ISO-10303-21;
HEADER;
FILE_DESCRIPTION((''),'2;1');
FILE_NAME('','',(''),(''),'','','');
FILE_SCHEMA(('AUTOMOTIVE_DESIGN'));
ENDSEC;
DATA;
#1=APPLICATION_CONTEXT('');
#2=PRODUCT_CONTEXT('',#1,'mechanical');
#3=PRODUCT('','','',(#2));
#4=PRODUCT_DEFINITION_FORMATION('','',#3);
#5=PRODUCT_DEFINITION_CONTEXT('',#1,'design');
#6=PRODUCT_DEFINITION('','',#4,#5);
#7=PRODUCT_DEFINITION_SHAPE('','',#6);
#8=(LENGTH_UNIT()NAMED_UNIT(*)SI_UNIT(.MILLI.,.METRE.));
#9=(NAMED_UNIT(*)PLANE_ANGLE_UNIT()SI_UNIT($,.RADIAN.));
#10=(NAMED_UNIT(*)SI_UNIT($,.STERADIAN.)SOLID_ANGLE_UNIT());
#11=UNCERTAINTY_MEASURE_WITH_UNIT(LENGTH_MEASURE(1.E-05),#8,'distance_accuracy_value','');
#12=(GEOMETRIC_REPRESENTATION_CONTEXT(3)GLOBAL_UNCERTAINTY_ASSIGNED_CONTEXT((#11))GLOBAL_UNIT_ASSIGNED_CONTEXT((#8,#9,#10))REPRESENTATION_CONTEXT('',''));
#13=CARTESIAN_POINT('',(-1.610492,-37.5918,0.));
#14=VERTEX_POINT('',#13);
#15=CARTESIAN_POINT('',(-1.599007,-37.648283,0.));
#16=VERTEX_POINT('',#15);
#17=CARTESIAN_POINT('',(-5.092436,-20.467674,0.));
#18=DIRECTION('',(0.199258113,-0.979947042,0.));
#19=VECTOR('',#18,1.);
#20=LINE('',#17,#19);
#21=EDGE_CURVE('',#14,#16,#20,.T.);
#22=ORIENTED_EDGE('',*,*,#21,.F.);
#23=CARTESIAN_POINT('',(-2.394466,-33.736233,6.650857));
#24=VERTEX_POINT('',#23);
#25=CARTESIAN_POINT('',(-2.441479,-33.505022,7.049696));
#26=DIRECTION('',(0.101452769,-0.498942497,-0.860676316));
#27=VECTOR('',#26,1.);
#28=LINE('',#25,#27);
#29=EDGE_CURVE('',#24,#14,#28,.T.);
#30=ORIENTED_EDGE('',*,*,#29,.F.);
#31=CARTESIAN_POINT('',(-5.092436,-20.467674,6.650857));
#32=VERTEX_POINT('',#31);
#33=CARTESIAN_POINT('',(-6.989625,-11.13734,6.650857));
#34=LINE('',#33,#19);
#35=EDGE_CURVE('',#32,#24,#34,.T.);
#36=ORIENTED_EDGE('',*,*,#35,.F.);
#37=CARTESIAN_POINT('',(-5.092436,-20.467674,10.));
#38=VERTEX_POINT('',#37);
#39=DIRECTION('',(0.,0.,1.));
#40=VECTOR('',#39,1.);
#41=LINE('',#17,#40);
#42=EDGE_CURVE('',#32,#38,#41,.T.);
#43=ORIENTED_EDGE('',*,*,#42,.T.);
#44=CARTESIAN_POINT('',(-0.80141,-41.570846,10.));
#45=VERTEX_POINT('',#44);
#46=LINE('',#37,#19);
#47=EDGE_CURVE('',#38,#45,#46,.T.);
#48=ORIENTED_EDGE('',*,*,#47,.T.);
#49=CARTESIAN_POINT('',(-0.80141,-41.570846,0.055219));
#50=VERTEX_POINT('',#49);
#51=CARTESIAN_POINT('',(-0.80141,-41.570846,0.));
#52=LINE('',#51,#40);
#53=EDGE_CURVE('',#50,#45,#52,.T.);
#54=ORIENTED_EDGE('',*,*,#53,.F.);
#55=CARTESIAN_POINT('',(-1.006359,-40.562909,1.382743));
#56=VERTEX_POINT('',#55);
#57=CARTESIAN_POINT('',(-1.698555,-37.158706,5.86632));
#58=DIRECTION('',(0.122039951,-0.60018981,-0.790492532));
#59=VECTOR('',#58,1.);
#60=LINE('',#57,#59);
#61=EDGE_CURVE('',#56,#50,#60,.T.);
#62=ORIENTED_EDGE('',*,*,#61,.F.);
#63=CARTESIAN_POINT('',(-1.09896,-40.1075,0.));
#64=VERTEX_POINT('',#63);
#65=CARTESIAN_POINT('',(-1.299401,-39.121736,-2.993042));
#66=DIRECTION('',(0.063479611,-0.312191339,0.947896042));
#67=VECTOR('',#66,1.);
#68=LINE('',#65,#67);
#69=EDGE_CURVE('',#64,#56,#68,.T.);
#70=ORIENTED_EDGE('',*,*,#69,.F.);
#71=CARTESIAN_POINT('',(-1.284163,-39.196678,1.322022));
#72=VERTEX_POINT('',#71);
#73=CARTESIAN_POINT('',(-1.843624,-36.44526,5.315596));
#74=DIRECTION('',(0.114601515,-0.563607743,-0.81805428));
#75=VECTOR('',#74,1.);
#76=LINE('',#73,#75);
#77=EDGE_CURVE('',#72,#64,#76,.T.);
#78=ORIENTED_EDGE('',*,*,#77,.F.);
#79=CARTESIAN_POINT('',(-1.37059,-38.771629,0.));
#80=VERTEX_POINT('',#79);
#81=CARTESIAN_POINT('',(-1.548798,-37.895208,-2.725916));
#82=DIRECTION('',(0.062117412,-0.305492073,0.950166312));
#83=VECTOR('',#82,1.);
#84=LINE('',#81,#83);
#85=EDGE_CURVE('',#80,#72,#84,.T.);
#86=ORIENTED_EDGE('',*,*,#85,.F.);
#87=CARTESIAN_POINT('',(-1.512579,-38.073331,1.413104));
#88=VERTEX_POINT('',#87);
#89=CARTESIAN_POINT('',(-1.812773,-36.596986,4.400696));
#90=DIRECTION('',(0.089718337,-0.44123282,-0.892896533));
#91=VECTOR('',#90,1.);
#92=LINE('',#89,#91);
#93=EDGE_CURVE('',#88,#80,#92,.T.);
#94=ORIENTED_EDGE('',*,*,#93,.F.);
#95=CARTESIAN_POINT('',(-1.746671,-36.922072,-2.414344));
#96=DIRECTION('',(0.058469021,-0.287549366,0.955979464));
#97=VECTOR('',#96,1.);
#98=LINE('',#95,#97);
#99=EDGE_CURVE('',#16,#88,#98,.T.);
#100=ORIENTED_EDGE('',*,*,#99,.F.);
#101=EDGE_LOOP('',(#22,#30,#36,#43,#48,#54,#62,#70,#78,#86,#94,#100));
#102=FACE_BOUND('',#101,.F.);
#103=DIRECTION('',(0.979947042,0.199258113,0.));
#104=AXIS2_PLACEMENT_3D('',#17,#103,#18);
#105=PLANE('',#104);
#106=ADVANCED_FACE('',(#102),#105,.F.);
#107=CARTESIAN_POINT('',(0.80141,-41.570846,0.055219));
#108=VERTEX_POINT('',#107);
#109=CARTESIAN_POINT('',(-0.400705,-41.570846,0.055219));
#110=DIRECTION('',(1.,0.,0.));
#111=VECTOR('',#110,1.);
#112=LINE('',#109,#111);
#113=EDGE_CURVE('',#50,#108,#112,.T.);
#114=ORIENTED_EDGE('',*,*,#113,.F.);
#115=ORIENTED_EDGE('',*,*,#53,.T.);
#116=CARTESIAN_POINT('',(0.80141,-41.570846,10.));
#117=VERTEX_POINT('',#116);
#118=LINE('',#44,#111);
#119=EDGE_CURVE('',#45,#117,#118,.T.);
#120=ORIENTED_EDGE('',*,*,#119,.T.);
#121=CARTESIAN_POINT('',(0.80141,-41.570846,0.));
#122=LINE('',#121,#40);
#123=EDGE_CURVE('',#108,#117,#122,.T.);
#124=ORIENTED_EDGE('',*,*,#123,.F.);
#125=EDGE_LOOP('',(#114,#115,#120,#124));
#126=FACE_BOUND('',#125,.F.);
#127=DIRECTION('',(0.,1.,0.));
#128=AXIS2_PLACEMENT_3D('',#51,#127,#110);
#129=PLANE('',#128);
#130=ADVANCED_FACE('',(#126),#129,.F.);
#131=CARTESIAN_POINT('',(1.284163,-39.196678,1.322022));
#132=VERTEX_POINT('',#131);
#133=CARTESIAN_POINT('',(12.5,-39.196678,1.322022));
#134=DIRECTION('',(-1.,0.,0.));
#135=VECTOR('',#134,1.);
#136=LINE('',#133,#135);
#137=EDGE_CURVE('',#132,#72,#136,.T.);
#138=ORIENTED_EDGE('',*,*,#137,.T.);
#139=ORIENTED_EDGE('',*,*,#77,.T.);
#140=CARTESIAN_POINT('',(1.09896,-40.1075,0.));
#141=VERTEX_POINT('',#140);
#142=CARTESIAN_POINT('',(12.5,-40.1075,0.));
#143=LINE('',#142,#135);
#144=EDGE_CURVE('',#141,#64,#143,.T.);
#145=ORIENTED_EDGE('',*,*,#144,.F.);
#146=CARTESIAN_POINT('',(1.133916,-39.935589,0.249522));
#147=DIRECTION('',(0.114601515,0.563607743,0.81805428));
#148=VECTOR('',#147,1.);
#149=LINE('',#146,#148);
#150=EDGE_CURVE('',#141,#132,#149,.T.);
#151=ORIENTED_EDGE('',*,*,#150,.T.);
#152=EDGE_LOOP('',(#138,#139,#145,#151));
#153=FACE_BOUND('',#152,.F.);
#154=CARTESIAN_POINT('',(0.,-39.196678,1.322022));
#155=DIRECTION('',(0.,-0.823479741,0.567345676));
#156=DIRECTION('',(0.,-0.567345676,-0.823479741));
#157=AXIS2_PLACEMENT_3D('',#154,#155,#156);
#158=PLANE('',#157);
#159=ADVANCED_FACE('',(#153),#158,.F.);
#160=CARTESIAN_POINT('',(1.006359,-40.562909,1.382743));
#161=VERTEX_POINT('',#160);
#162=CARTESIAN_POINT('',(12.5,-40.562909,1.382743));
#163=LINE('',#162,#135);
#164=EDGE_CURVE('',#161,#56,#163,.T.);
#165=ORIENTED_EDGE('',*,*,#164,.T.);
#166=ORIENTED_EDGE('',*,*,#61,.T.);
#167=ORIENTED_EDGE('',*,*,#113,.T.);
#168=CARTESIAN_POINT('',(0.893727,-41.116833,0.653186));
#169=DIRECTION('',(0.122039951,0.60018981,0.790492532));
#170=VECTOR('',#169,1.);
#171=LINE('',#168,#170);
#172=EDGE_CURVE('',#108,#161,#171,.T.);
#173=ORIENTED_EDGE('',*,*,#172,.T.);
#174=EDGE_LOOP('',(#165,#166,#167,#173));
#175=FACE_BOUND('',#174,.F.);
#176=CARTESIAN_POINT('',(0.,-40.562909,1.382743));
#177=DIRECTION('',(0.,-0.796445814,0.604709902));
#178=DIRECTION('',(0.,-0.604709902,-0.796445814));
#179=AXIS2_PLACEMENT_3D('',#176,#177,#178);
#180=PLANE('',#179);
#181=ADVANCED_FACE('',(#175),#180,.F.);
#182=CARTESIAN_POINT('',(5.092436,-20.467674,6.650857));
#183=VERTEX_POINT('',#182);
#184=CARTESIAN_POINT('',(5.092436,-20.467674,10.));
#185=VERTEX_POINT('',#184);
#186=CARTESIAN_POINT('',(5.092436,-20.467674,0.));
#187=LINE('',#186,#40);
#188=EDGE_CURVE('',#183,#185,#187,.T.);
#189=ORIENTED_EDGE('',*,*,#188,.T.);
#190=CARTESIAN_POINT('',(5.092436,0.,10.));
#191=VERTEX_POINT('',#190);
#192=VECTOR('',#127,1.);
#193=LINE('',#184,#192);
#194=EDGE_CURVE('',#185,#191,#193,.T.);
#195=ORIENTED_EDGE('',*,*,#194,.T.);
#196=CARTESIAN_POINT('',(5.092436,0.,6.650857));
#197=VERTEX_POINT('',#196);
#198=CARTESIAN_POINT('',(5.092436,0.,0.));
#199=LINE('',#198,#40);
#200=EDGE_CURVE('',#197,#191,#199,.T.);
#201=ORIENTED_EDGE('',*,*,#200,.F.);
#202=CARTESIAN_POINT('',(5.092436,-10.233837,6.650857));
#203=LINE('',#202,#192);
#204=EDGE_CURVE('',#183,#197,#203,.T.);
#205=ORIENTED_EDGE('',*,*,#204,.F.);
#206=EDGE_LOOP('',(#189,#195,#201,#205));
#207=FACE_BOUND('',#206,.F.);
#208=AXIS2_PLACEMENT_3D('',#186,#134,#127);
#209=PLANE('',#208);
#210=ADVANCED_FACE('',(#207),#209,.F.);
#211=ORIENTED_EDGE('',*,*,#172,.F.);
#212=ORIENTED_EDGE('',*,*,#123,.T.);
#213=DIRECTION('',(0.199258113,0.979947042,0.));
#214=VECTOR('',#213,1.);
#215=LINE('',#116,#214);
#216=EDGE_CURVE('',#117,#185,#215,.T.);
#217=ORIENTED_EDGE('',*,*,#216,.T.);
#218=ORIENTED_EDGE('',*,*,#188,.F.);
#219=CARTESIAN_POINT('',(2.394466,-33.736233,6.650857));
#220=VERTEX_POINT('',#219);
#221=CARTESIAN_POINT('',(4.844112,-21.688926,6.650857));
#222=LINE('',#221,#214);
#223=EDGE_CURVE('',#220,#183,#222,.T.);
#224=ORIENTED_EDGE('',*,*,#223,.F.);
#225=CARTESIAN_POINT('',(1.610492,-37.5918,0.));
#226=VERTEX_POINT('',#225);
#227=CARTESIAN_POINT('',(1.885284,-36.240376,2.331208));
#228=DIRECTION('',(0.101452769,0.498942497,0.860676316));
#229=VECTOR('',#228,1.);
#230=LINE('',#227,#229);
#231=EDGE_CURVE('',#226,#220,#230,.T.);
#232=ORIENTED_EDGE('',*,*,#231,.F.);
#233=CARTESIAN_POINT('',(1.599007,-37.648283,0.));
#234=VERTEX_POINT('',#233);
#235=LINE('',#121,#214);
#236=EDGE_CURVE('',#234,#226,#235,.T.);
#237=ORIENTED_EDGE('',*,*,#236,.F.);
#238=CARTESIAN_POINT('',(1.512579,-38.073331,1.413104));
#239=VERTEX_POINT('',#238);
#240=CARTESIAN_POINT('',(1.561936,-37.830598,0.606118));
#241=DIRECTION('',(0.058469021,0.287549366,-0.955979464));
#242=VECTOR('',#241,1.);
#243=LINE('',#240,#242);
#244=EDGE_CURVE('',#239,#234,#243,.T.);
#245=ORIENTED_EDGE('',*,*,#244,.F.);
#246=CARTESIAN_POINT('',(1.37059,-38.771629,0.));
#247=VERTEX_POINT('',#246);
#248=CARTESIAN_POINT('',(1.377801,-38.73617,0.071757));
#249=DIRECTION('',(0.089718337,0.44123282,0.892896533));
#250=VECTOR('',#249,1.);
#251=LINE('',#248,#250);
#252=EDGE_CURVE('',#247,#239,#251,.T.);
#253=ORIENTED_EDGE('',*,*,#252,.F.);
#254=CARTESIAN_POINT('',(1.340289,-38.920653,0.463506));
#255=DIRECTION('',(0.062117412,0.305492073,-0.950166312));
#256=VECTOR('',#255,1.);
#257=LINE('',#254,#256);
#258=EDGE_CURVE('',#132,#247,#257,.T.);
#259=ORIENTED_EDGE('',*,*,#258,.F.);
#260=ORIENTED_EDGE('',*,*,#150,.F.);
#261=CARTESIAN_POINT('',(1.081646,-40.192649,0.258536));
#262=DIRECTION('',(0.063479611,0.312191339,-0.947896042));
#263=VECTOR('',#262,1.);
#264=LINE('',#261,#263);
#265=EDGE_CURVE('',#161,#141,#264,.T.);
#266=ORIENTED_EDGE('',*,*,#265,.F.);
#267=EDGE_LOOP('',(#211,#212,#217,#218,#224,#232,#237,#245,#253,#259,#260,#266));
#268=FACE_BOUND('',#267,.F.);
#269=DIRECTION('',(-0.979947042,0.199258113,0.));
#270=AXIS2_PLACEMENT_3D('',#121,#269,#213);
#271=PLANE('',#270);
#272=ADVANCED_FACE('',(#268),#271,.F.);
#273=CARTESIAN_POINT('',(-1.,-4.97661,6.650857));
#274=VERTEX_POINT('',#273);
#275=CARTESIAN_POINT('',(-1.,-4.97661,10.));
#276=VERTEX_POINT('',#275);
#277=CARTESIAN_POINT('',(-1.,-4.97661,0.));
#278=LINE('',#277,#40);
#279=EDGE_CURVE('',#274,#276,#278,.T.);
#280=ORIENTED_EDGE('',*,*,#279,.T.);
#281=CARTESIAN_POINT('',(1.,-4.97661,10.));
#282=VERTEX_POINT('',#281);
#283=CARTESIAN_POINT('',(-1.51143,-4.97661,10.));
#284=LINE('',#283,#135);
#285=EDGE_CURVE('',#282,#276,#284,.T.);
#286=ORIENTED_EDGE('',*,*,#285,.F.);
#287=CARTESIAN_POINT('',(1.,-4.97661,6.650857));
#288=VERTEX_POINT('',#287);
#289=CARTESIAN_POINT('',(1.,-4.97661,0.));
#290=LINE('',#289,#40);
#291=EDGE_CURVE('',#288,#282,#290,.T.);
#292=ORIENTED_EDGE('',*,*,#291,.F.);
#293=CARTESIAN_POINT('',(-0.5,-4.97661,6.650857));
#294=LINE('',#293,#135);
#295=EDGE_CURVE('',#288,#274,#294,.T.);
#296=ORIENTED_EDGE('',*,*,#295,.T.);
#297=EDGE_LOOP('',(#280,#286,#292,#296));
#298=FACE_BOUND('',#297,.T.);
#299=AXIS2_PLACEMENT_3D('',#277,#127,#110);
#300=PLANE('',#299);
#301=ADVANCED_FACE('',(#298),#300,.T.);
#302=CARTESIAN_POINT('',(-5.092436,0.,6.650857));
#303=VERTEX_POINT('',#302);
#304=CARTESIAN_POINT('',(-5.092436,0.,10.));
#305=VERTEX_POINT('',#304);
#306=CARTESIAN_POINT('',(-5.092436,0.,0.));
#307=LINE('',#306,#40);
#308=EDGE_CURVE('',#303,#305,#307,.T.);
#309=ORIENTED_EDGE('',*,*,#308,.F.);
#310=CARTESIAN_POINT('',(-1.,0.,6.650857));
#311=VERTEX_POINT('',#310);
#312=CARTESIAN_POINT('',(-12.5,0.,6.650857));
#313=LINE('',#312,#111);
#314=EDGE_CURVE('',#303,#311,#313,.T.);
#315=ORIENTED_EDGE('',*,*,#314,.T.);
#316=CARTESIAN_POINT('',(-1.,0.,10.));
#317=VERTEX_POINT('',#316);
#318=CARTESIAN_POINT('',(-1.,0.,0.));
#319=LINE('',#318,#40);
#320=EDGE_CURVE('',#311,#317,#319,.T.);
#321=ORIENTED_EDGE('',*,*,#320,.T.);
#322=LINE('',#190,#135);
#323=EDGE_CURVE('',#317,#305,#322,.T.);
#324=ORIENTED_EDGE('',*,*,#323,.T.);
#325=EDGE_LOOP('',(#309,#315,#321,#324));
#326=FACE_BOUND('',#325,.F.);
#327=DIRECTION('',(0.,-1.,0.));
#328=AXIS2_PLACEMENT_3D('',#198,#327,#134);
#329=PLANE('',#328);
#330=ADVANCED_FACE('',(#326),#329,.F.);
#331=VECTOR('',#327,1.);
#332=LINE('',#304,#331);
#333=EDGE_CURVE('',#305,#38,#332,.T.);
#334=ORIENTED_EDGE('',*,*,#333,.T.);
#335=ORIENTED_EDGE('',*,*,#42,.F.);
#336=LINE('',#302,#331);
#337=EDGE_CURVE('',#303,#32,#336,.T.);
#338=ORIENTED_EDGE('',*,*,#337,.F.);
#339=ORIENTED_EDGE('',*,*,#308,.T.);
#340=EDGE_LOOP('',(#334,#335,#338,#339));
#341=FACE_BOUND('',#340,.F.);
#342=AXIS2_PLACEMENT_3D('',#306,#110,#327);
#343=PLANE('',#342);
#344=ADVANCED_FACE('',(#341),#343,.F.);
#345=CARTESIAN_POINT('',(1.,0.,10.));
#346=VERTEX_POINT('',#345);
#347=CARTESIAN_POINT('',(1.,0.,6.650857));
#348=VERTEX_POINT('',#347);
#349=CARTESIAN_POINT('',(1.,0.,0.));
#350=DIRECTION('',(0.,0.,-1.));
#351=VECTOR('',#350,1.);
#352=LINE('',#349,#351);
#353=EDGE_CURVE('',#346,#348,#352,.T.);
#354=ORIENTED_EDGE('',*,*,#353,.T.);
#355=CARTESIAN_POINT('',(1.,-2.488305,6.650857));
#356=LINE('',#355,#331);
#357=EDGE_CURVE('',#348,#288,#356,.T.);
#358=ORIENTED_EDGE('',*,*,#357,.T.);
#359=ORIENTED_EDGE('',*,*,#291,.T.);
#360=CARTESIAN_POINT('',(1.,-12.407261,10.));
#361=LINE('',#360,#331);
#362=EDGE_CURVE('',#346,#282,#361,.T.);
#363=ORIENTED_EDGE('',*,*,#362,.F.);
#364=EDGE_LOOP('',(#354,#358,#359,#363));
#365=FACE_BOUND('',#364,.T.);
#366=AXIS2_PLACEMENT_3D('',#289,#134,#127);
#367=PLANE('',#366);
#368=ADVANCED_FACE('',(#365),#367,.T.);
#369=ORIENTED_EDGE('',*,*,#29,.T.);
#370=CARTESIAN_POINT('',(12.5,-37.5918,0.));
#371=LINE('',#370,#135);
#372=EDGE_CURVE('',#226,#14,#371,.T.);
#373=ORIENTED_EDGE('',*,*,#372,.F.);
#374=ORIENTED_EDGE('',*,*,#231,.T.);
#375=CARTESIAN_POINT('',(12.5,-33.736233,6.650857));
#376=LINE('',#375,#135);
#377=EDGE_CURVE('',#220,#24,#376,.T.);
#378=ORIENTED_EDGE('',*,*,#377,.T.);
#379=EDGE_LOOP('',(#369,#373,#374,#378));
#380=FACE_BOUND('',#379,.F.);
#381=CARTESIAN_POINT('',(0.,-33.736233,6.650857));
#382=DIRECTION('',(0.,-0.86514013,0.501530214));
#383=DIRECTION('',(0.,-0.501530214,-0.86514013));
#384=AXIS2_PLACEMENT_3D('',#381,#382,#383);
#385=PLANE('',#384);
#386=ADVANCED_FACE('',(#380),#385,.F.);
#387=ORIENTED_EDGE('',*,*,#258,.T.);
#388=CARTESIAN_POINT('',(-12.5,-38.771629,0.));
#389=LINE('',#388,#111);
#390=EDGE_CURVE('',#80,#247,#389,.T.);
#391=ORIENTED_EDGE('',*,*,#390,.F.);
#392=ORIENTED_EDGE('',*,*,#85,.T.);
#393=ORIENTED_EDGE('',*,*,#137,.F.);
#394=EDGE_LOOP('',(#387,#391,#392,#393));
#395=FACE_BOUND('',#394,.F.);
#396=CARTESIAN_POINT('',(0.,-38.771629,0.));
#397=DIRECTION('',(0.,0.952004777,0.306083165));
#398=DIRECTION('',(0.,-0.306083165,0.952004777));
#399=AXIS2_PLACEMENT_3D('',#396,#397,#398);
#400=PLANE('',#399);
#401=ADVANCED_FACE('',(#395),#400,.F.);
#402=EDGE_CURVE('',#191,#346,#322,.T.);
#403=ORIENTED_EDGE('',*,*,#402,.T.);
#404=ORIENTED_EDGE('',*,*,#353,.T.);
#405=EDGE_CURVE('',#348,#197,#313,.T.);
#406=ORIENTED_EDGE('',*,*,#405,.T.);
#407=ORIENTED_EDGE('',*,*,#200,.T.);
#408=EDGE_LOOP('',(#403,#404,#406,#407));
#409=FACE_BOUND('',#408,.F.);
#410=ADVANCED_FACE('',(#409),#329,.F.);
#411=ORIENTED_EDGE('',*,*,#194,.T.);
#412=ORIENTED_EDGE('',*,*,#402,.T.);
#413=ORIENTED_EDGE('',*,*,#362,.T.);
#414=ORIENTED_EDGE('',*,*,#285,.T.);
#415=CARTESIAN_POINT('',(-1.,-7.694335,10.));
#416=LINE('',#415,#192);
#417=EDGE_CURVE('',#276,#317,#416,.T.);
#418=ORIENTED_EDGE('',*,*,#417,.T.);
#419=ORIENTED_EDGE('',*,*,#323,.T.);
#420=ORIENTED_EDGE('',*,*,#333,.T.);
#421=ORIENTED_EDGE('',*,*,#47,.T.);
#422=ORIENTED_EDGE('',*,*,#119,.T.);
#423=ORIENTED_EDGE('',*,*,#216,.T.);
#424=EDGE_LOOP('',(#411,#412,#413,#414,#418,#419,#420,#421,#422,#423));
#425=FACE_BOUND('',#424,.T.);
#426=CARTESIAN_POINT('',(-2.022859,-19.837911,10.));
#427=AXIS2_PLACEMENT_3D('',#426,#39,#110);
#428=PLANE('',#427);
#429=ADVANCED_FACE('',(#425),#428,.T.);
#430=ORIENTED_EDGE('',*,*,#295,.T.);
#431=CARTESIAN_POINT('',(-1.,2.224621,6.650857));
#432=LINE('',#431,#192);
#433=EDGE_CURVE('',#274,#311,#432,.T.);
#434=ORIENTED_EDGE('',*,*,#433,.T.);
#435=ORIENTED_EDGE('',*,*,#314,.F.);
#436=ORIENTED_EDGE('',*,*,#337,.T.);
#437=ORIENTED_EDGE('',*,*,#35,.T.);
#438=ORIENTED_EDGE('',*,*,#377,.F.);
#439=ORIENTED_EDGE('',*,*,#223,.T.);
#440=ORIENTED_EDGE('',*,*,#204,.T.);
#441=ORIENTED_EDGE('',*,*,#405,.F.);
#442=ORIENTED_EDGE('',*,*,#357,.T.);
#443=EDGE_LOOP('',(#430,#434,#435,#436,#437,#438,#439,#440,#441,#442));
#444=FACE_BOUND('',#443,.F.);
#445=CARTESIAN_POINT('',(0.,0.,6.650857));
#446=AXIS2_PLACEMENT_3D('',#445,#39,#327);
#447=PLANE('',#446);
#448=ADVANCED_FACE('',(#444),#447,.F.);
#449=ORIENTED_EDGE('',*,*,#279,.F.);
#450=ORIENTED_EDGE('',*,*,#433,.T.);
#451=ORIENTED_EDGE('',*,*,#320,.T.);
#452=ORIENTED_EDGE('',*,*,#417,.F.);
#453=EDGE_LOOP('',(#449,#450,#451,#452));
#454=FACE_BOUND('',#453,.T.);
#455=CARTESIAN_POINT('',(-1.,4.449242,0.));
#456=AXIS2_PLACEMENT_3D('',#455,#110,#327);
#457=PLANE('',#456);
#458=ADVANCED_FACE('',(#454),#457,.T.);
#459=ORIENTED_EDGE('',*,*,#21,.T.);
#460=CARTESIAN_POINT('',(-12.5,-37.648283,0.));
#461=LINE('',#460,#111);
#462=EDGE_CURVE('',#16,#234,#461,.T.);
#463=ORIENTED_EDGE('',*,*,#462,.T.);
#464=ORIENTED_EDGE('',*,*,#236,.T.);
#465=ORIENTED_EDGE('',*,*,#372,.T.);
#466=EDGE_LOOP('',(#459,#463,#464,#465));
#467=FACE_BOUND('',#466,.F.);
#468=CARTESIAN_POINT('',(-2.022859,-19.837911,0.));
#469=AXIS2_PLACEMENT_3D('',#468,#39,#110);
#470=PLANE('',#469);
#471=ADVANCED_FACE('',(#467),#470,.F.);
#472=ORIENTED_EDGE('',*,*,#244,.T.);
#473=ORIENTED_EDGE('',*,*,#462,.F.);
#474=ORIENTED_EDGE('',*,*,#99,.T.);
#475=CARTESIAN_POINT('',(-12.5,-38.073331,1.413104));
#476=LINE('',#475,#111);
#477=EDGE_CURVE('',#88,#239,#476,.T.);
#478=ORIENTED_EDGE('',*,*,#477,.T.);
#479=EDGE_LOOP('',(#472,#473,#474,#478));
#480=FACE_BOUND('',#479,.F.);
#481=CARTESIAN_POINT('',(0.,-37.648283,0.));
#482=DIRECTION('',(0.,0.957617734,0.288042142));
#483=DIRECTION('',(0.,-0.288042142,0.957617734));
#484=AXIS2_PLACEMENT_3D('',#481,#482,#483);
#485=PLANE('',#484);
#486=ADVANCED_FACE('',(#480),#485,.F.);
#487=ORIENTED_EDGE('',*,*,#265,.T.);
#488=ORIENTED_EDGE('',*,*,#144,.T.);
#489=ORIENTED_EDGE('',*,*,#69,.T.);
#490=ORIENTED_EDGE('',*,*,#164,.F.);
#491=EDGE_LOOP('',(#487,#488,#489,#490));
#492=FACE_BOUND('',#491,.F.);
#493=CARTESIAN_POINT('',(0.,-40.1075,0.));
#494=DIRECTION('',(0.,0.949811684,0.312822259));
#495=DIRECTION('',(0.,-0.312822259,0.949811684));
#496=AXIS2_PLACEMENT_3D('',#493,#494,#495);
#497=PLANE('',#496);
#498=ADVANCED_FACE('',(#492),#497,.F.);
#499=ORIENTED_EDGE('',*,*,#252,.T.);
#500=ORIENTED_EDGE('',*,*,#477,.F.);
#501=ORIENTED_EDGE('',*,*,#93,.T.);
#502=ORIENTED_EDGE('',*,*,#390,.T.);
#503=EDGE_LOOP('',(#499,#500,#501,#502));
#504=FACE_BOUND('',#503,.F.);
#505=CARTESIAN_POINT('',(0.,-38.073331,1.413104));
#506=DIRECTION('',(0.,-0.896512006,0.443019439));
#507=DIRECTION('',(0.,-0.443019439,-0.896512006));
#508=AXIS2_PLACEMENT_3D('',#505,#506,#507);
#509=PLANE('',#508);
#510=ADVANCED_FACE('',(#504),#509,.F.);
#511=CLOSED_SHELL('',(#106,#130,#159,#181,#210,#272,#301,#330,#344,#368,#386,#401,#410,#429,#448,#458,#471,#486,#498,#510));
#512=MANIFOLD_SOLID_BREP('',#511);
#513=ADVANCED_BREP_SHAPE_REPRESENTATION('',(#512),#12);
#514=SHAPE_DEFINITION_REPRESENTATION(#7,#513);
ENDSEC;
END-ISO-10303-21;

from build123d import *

# Parameters (mm, degrees)
F1_DEPTH = 10
F3_DEPTH = 12.5
F5_DEPTH = 12.5
F7_DEPTH = 74


with BuildPart() as f1:
    # F0 (on Top) → F1 (new body)
    with BuildSketch(Plane.XY):
        Polygon((0, -41.570846), (0, 0), (-5.092436, 0), (-5.092436, -20.467674), (-0.80141, -41.570846), align=None)
        Polygon((5.092436, 0), (0, 0), (0, -41.570846), (0.80141, -41.570846), (5.092436, -20.467674), align=None)
    extrude(amount=F1_DEPTH)

    # F2 (on Right) → F3 (cut, symmetric)
    with BuildSketch(Plane.YZ):
        Polygon((-37.5918, -12.62699), (0, -8.964199), (0, 6.650857), (-33.736233, 6.650857), (-37.5918, 0), align=None)
    extrude(amount=F3_DEPTH, both=True, mode=Mode.SUBTRACT)

    # F4 (on Right) → F5 (cut, symmetric)
    with BuildSketch(Plane.YZ):
        Polygon((-40.562909, 1.382743), (-41.8077, -0.256735), (-43.113209, -1.562245), (-35.917722, -1.926574), (-37.648283, 0), (-38.073331, 1.413104), (-38.771629, 0), (-39.196678, 1.322022), (-40.1075, 0), align=None)
    extrude(amount=F5_DEPTH, both=True, mode=Mode.SUBTRACT)

    # F6 (on Top) → F7 (cut)
    with BuildSketch(Plane.XY):
        Polygon((1, 4.449242), (0, 4.449242), (0, -4.97661), (1, -4.97661), (1, 0), align=None)
        Polygon((0, -4.97661), (0, 4.449242), (-1, 4.449242), (-1, 0), (-1, -4.97661), align=None)
    extrude(amount=F7_DEPTH, mode=Mode.SUBTRACT)


solid = f1.part
